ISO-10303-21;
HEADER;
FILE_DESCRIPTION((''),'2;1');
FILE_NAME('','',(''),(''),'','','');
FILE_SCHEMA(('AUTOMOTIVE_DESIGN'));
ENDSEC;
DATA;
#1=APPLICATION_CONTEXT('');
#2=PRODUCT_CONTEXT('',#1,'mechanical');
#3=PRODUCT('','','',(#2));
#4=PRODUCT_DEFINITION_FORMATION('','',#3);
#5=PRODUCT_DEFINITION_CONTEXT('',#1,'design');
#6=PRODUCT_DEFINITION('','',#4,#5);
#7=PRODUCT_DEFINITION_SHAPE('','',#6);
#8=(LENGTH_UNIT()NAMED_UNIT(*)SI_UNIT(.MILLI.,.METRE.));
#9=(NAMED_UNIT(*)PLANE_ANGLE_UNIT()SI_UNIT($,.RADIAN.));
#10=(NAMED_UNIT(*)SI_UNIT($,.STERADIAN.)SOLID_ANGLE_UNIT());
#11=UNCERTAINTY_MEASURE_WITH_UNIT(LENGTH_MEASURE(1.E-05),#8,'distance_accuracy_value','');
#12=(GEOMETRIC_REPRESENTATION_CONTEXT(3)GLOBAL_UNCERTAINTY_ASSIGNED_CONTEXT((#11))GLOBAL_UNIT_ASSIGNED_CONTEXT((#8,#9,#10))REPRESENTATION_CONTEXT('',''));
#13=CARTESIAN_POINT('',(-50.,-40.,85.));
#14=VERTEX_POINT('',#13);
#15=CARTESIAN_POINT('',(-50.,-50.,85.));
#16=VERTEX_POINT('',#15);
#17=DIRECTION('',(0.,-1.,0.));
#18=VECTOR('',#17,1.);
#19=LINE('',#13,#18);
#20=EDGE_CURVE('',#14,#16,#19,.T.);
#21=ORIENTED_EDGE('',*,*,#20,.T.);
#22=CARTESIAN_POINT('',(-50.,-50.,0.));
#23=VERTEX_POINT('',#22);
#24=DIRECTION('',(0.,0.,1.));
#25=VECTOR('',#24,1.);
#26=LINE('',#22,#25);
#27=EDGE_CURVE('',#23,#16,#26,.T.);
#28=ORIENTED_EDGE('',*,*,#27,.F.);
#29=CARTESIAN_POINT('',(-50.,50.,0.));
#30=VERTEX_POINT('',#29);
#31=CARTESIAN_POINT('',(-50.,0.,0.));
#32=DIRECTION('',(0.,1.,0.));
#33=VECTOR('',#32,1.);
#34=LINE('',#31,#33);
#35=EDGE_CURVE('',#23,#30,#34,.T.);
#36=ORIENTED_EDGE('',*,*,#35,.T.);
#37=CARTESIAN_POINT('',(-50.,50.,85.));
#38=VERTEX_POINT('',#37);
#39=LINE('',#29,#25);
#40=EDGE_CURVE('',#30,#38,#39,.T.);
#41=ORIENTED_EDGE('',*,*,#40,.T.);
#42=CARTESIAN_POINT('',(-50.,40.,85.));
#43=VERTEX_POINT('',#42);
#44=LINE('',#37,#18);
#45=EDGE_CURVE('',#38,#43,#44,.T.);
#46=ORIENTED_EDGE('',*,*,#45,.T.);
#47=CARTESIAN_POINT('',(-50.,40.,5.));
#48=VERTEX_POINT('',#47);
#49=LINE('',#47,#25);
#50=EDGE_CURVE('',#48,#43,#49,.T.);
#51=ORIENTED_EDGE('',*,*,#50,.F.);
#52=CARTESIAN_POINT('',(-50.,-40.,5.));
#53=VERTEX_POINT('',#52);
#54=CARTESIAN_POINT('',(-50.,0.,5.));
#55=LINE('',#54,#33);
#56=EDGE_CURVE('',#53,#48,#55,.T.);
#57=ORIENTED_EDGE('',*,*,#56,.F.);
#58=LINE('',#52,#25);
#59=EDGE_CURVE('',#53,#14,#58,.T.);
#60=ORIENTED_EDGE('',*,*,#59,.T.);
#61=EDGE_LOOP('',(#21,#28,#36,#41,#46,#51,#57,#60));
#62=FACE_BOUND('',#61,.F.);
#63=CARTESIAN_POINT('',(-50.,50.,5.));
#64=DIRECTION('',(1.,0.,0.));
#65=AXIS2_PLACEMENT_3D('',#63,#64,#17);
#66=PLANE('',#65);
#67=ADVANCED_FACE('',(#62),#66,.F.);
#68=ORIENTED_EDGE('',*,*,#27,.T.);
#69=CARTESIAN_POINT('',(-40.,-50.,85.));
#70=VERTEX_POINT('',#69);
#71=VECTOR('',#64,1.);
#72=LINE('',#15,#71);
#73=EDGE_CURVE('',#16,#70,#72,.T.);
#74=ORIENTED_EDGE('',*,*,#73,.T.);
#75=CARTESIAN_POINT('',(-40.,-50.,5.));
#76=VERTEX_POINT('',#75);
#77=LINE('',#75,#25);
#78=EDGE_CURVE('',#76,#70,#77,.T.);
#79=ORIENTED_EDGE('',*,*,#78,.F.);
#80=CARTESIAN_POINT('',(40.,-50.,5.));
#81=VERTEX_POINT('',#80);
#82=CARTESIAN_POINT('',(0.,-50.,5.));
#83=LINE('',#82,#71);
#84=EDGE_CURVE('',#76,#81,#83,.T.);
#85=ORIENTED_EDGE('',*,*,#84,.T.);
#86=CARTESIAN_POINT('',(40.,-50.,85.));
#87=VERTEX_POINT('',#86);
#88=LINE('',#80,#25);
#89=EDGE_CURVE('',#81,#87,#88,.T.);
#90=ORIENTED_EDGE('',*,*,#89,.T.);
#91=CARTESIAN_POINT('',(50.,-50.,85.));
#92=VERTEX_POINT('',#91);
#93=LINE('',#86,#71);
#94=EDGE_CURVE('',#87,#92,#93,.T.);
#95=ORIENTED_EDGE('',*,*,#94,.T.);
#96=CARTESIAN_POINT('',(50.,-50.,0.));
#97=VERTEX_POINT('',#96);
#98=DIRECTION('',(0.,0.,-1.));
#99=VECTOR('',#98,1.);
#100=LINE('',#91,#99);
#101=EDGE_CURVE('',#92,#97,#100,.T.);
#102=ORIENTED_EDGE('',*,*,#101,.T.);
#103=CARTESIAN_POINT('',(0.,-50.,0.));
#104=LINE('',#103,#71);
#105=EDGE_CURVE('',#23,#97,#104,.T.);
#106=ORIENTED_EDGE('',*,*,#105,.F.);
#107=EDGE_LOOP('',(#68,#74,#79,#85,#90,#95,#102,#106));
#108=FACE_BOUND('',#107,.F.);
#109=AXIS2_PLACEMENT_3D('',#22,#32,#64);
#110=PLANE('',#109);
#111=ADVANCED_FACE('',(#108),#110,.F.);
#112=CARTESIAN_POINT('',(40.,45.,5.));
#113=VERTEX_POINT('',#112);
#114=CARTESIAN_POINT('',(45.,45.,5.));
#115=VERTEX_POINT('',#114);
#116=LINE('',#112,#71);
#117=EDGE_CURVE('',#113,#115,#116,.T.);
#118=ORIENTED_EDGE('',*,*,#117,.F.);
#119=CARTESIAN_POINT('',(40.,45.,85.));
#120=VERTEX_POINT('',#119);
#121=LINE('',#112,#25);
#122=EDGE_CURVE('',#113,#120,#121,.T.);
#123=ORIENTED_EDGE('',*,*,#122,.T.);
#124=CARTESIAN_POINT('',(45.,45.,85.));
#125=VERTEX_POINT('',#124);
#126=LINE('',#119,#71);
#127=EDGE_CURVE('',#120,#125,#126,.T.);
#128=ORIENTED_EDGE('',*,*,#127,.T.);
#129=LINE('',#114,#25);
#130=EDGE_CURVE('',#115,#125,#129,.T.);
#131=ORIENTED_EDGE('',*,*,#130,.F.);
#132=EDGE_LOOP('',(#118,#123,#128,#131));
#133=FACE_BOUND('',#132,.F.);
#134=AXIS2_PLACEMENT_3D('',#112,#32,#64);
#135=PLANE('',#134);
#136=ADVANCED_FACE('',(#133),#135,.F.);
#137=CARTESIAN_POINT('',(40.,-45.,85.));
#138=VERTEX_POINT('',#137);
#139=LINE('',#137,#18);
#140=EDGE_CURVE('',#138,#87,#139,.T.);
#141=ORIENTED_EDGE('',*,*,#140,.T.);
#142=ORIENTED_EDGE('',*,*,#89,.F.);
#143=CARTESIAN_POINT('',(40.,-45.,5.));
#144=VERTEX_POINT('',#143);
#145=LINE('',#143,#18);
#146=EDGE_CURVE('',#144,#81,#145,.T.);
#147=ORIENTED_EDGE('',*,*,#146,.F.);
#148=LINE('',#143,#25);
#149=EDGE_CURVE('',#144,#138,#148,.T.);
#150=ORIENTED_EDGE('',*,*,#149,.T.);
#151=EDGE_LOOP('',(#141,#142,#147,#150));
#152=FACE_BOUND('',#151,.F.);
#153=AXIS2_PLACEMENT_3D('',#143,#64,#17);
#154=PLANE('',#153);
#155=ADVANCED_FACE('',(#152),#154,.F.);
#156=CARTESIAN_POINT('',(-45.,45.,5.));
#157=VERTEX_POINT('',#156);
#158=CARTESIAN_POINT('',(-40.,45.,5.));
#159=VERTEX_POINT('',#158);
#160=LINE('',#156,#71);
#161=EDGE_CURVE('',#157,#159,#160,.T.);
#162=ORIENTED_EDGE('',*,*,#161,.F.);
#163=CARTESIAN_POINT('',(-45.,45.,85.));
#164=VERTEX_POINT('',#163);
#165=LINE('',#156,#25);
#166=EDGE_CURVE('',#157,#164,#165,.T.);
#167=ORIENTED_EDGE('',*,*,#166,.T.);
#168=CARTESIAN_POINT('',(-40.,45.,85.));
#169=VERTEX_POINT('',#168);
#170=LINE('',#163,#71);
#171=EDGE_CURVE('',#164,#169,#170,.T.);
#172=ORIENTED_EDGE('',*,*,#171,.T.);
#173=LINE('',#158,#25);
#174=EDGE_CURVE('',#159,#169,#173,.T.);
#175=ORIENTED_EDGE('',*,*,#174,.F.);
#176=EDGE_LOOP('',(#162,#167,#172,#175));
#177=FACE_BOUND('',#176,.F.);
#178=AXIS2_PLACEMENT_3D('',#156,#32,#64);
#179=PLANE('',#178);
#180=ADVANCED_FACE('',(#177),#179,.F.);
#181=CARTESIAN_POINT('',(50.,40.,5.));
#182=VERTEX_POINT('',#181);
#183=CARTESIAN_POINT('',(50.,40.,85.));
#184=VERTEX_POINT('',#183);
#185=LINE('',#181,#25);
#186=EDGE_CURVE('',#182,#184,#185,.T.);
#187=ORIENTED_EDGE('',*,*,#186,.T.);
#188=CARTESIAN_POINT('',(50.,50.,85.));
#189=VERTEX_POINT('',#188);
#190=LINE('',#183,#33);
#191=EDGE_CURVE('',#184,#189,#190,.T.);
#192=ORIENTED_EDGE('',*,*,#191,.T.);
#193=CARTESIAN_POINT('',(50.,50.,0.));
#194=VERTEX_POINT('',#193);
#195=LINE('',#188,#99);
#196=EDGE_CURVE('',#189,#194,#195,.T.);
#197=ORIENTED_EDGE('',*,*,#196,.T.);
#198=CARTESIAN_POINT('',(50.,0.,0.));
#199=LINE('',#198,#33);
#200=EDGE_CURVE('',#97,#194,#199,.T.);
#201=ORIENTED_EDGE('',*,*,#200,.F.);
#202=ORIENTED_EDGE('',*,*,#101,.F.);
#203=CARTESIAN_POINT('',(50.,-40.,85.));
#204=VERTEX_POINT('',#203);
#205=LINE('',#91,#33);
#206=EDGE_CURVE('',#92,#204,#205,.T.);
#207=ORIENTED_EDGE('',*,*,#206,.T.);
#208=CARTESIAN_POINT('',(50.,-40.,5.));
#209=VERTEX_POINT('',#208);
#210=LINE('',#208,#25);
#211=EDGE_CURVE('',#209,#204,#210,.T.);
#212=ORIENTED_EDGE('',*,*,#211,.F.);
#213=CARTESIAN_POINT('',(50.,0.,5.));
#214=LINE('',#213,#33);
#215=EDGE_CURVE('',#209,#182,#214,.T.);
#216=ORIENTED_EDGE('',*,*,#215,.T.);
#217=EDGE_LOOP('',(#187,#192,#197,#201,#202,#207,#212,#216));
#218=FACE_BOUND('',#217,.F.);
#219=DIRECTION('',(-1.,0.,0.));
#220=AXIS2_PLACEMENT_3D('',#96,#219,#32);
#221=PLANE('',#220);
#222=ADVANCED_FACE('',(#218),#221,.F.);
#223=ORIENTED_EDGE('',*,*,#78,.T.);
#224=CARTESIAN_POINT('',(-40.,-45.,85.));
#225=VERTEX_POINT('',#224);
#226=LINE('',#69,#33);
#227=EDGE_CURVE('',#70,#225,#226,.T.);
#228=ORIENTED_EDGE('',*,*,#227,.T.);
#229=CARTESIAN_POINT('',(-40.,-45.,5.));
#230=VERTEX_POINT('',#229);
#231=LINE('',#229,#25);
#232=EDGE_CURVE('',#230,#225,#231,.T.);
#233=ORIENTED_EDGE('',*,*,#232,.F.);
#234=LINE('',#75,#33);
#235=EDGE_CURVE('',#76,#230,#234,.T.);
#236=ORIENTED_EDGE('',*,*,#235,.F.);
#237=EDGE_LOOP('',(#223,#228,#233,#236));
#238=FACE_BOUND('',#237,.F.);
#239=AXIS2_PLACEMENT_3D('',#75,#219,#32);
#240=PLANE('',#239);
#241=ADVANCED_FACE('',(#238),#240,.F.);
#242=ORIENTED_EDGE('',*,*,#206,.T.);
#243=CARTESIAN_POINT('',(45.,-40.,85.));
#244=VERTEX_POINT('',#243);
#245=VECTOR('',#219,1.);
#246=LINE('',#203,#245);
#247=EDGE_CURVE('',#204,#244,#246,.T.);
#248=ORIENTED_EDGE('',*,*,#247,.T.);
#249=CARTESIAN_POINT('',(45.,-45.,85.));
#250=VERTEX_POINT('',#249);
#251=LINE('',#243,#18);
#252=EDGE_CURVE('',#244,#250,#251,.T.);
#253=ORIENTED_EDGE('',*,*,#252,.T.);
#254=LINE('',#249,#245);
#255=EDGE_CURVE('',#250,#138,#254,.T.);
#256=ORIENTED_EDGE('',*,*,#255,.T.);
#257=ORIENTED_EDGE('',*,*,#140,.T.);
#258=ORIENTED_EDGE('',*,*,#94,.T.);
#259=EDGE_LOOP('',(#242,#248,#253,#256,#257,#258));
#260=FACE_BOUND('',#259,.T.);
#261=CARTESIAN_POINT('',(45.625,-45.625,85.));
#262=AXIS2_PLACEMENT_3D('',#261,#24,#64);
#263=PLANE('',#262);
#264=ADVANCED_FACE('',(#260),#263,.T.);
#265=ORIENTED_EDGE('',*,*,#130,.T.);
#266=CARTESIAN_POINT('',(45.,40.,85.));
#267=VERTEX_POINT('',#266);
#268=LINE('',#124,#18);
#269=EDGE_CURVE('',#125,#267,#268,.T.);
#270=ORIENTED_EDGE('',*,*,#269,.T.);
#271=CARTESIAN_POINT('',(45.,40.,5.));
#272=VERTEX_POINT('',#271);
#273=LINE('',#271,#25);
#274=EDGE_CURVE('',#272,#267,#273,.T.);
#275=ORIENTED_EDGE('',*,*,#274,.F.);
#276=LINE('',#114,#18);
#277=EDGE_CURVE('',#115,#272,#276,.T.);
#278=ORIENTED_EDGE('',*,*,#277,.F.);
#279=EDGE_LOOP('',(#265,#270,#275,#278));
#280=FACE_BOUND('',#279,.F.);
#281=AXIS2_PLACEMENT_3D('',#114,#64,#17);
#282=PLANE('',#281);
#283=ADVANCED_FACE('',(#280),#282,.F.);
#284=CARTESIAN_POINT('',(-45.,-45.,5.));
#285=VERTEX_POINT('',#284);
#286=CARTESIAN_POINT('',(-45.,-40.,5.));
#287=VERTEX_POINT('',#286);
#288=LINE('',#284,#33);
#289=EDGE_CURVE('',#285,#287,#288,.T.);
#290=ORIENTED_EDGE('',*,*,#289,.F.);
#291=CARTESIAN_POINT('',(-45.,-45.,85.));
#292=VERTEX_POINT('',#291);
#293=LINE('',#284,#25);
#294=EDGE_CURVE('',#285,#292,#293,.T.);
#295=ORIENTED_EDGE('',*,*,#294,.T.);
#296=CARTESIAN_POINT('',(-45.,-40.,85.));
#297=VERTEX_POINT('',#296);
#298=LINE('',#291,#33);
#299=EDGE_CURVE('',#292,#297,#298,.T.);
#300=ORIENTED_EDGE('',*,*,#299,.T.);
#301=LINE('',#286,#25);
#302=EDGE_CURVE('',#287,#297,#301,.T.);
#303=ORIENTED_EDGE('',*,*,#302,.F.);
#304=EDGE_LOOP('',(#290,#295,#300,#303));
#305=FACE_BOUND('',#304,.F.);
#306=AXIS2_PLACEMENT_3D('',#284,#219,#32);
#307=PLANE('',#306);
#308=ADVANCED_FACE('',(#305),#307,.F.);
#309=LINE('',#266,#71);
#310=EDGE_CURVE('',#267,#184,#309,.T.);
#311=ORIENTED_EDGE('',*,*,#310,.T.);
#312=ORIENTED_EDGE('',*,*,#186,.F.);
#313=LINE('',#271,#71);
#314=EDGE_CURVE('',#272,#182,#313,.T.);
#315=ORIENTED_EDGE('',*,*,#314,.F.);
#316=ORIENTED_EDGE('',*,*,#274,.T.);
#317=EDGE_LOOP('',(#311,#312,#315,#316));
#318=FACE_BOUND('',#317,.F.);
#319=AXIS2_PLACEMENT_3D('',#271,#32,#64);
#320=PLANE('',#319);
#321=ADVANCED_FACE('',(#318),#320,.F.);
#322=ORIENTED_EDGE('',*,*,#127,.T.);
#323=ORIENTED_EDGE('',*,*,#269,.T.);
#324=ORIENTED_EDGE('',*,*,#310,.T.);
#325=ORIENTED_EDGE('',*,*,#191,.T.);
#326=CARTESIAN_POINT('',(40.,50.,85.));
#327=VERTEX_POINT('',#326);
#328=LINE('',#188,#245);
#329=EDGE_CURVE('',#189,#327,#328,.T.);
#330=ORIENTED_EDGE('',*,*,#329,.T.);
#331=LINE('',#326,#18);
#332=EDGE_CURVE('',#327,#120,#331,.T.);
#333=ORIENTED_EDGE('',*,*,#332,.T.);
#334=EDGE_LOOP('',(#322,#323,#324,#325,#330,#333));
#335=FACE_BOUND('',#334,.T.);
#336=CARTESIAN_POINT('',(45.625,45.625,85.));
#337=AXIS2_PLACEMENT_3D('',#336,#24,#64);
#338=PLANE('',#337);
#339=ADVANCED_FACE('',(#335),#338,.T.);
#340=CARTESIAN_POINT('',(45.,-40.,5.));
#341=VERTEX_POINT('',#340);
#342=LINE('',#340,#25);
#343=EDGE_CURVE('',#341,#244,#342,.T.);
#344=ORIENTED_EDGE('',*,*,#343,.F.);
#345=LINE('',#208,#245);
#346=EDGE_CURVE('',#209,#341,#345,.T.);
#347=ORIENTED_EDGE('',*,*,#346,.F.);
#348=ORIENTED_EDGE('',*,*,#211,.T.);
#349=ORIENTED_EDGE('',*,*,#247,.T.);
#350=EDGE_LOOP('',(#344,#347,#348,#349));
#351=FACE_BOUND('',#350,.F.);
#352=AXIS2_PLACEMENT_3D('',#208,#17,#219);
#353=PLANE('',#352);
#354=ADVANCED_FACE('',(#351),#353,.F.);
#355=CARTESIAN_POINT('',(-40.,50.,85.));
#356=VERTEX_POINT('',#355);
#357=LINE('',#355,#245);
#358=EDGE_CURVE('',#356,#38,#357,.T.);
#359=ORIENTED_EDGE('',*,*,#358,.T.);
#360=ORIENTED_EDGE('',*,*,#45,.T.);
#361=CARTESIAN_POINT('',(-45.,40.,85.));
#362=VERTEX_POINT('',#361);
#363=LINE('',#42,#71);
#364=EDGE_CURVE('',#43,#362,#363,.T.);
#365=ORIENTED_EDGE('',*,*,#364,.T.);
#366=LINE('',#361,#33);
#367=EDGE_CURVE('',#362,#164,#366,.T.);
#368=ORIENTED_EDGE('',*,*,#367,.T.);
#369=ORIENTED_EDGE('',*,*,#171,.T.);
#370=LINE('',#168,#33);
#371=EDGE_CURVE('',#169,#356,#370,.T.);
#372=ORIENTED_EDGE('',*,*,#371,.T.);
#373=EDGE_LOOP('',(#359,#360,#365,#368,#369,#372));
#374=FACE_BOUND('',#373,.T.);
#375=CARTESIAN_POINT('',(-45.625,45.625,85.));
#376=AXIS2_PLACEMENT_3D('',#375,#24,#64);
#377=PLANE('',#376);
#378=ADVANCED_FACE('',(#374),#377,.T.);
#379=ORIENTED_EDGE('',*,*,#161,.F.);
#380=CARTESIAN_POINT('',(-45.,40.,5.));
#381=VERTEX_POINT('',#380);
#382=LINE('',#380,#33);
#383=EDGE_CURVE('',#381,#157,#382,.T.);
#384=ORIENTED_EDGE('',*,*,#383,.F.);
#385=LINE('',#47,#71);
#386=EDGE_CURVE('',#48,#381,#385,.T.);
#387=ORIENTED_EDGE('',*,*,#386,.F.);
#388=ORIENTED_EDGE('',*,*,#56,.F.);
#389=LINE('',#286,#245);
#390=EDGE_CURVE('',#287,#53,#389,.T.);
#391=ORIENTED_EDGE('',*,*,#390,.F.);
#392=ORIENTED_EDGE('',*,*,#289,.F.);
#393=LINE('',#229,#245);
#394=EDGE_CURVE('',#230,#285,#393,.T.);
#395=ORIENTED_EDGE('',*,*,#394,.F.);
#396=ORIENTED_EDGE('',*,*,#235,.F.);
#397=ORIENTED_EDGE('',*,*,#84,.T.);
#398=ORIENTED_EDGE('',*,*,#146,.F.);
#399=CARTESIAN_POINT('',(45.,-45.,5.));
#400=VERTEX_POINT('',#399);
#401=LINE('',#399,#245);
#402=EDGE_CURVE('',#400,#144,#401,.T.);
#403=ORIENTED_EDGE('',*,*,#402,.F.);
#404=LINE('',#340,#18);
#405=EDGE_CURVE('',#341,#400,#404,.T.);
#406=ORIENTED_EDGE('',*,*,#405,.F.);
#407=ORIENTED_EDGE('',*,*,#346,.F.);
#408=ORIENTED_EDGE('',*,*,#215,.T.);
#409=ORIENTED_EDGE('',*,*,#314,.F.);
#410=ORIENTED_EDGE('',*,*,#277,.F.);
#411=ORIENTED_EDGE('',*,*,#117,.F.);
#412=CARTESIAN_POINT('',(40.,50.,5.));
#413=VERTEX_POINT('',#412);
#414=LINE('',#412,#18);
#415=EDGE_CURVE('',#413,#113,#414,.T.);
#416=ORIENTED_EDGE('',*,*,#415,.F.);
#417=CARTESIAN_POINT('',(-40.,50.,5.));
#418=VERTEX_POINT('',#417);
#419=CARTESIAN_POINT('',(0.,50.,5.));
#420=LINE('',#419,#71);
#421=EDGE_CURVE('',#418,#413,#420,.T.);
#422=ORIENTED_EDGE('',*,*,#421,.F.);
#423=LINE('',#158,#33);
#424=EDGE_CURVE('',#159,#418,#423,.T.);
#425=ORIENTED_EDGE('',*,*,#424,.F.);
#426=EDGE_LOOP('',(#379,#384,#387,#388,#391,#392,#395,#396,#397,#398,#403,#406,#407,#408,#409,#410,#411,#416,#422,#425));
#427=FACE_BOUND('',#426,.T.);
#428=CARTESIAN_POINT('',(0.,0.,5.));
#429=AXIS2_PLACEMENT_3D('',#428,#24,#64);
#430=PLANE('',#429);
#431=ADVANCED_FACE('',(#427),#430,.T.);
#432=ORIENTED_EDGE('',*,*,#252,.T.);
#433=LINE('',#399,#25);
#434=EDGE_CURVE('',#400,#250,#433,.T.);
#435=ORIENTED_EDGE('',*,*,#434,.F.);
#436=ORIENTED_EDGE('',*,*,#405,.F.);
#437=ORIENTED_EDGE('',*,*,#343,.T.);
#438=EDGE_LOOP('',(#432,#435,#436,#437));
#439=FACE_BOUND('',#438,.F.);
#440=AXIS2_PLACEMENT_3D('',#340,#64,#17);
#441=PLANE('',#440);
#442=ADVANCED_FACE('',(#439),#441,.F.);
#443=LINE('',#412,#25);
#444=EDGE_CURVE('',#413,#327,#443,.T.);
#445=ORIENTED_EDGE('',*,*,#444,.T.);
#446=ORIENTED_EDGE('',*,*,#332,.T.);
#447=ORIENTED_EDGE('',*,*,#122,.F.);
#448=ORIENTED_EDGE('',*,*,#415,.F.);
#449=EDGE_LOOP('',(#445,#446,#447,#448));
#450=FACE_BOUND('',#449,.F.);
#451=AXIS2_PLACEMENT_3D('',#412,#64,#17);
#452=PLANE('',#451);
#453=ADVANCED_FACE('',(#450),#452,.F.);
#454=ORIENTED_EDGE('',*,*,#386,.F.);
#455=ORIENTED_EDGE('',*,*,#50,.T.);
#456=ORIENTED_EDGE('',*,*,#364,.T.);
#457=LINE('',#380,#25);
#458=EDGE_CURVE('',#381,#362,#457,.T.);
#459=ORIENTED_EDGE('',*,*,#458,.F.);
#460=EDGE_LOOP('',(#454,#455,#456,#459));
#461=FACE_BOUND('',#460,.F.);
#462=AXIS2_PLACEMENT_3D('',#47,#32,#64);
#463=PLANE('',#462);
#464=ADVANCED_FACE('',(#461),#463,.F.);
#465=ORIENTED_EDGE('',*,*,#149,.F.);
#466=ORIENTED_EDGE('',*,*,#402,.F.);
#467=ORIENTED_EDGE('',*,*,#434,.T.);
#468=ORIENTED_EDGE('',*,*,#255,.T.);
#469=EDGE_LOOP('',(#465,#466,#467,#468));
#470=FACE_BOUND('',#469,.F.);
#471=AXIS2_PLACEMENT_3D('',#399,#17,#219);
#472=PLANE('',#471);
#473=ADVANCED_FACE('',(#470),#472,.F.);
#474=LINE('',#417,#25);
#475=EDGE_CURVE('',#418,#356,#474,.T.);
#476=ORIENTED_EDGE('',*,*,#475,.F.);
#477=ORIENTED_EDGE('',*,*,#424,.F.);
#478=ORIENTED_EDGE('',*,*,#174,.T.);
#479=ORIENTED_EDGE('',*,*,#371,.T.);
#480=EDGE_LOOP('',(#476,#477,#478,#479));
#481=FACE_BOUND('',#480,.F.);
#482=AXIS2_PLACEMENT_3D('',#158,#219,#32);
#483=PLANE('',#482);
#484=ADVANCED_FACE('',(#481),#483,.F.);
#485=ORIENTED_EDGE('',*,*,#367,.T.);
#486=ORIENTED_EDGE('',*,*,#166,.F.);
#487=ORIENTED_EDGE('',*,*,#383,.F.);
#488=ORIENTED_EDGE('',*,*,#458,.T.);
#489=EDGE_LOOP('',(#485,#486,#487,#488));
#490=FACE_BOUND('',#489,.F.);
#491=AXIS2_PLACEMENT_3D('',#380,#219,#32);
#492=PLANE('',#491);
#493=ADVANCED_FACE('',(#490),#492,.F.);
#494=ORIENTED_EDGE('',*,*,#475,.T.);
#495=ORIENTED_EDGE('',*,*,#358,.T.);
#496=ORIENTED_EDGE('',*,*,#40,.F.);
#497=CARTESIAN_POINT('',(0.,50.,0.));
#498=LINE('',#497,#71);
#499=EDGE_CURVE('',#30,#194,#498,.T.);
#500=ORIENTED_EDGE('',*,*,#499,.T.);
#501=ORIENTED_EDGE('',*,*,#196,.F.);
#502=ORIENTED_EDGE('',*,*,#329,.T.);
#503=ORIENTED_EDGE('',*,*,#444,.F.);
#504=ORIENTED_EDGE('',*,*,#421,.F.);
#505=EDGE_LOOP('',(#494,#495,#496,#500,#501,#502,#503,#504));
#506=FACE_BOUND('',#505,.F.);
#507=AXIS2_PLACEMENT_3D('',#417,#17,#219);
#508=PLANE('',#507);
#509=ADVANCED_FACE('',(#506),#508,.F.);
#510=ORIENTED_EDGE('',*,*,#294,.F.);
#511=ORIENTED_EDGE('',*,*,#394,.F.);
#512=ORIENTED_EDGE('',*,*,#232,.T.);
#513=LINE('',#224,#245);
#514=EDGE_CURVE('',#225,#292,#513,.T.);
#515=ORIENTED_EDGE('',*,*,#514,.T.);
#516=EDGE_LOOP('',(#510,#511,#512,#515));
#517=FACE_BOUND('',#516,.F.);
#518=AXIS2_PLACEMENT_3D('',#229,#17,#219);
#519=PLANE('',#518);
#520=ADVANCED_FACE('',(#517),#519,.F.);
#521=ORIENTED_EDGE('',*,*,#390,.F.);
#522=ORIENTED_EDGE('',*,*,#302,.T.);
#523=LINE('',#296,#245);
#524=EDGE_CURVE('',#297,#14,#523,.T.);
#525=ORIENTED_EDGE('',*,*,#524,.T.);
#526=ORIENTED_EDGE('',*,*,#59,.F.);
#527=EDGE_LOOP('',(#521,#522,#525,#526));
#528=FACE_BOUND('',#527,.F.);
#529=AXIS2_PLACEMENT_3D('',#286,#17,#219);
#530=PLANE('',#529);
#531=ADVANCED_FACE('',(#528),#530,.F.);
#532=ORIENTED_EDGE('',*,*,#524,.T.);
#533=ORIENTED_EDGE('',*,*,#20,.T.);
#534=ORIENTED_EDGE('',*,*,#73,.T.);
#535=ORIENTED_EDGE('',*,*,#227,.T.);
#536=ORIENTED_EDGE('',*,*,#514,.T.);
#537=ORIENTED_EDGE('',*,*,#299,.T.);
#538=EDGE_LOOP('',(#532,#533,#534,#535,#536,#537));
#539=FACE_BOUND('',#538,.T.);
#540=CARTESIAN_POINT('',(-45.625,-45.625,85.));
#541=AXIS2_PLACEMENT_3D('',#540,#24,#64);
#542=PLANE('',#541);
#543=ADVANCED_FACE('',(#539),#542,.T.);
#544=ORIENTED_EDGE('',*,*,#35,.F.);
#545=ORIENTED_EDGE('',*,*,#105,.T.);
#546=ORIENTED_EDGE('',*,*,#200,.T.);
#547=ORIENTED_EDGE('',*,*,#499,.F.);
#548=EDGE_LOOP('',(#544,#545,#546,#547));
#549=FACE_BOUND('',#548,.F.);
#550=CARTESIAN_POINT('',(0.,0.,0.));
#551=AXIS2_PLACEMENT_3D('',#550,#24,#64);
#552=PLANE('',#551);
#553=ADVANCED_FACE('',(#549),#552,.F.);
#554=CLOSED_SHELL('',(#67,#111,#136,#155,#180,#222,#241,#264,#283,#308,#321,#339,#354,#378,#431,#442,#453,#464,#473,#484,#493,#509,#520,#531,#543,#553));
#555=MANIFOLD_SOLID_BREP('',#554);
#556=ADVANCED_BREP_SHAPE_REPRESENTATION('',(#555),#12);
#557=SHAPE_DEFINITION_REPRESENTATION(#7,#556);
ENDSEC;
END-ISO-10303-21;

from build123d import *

# Parameters (mm, degrees)
F0_W     = 100
F0_H     = 100
F1_DEPTH = 5
F3_DEPTH = 80


with BuildPart() as f1:
    # F0 (on Top) → F1 (new body)
    with BuildSketch(Plane.XY):
        Rectangle(F0_W, F0_H)
    extrude(amount=F1_DEPTH)

    # F2 (on face) → F3 (join)
    with BuildSketch(Plane.XY.offset(5)):
        Polygon((-40, 45), (-40, 50), (-50, 50), (-50, 40), (-45, 40), (-45, 45), align=None)
        Polygon((40, 45), (45, 45), (45, 40), (50, 40), (50, 50), (40, 50), align=None)
        Polygon((-40, -45), (-45, -45), (-45, -40), (-50, -40), (-50, -50), (-40, -50), align=None)
        Polygon((50, -40), (45, -40), (45, -45), (40, -45), (40, -50), (50, -50), align=None)
    extrude(amount=F3_DEPTH)


solid = f1.part
